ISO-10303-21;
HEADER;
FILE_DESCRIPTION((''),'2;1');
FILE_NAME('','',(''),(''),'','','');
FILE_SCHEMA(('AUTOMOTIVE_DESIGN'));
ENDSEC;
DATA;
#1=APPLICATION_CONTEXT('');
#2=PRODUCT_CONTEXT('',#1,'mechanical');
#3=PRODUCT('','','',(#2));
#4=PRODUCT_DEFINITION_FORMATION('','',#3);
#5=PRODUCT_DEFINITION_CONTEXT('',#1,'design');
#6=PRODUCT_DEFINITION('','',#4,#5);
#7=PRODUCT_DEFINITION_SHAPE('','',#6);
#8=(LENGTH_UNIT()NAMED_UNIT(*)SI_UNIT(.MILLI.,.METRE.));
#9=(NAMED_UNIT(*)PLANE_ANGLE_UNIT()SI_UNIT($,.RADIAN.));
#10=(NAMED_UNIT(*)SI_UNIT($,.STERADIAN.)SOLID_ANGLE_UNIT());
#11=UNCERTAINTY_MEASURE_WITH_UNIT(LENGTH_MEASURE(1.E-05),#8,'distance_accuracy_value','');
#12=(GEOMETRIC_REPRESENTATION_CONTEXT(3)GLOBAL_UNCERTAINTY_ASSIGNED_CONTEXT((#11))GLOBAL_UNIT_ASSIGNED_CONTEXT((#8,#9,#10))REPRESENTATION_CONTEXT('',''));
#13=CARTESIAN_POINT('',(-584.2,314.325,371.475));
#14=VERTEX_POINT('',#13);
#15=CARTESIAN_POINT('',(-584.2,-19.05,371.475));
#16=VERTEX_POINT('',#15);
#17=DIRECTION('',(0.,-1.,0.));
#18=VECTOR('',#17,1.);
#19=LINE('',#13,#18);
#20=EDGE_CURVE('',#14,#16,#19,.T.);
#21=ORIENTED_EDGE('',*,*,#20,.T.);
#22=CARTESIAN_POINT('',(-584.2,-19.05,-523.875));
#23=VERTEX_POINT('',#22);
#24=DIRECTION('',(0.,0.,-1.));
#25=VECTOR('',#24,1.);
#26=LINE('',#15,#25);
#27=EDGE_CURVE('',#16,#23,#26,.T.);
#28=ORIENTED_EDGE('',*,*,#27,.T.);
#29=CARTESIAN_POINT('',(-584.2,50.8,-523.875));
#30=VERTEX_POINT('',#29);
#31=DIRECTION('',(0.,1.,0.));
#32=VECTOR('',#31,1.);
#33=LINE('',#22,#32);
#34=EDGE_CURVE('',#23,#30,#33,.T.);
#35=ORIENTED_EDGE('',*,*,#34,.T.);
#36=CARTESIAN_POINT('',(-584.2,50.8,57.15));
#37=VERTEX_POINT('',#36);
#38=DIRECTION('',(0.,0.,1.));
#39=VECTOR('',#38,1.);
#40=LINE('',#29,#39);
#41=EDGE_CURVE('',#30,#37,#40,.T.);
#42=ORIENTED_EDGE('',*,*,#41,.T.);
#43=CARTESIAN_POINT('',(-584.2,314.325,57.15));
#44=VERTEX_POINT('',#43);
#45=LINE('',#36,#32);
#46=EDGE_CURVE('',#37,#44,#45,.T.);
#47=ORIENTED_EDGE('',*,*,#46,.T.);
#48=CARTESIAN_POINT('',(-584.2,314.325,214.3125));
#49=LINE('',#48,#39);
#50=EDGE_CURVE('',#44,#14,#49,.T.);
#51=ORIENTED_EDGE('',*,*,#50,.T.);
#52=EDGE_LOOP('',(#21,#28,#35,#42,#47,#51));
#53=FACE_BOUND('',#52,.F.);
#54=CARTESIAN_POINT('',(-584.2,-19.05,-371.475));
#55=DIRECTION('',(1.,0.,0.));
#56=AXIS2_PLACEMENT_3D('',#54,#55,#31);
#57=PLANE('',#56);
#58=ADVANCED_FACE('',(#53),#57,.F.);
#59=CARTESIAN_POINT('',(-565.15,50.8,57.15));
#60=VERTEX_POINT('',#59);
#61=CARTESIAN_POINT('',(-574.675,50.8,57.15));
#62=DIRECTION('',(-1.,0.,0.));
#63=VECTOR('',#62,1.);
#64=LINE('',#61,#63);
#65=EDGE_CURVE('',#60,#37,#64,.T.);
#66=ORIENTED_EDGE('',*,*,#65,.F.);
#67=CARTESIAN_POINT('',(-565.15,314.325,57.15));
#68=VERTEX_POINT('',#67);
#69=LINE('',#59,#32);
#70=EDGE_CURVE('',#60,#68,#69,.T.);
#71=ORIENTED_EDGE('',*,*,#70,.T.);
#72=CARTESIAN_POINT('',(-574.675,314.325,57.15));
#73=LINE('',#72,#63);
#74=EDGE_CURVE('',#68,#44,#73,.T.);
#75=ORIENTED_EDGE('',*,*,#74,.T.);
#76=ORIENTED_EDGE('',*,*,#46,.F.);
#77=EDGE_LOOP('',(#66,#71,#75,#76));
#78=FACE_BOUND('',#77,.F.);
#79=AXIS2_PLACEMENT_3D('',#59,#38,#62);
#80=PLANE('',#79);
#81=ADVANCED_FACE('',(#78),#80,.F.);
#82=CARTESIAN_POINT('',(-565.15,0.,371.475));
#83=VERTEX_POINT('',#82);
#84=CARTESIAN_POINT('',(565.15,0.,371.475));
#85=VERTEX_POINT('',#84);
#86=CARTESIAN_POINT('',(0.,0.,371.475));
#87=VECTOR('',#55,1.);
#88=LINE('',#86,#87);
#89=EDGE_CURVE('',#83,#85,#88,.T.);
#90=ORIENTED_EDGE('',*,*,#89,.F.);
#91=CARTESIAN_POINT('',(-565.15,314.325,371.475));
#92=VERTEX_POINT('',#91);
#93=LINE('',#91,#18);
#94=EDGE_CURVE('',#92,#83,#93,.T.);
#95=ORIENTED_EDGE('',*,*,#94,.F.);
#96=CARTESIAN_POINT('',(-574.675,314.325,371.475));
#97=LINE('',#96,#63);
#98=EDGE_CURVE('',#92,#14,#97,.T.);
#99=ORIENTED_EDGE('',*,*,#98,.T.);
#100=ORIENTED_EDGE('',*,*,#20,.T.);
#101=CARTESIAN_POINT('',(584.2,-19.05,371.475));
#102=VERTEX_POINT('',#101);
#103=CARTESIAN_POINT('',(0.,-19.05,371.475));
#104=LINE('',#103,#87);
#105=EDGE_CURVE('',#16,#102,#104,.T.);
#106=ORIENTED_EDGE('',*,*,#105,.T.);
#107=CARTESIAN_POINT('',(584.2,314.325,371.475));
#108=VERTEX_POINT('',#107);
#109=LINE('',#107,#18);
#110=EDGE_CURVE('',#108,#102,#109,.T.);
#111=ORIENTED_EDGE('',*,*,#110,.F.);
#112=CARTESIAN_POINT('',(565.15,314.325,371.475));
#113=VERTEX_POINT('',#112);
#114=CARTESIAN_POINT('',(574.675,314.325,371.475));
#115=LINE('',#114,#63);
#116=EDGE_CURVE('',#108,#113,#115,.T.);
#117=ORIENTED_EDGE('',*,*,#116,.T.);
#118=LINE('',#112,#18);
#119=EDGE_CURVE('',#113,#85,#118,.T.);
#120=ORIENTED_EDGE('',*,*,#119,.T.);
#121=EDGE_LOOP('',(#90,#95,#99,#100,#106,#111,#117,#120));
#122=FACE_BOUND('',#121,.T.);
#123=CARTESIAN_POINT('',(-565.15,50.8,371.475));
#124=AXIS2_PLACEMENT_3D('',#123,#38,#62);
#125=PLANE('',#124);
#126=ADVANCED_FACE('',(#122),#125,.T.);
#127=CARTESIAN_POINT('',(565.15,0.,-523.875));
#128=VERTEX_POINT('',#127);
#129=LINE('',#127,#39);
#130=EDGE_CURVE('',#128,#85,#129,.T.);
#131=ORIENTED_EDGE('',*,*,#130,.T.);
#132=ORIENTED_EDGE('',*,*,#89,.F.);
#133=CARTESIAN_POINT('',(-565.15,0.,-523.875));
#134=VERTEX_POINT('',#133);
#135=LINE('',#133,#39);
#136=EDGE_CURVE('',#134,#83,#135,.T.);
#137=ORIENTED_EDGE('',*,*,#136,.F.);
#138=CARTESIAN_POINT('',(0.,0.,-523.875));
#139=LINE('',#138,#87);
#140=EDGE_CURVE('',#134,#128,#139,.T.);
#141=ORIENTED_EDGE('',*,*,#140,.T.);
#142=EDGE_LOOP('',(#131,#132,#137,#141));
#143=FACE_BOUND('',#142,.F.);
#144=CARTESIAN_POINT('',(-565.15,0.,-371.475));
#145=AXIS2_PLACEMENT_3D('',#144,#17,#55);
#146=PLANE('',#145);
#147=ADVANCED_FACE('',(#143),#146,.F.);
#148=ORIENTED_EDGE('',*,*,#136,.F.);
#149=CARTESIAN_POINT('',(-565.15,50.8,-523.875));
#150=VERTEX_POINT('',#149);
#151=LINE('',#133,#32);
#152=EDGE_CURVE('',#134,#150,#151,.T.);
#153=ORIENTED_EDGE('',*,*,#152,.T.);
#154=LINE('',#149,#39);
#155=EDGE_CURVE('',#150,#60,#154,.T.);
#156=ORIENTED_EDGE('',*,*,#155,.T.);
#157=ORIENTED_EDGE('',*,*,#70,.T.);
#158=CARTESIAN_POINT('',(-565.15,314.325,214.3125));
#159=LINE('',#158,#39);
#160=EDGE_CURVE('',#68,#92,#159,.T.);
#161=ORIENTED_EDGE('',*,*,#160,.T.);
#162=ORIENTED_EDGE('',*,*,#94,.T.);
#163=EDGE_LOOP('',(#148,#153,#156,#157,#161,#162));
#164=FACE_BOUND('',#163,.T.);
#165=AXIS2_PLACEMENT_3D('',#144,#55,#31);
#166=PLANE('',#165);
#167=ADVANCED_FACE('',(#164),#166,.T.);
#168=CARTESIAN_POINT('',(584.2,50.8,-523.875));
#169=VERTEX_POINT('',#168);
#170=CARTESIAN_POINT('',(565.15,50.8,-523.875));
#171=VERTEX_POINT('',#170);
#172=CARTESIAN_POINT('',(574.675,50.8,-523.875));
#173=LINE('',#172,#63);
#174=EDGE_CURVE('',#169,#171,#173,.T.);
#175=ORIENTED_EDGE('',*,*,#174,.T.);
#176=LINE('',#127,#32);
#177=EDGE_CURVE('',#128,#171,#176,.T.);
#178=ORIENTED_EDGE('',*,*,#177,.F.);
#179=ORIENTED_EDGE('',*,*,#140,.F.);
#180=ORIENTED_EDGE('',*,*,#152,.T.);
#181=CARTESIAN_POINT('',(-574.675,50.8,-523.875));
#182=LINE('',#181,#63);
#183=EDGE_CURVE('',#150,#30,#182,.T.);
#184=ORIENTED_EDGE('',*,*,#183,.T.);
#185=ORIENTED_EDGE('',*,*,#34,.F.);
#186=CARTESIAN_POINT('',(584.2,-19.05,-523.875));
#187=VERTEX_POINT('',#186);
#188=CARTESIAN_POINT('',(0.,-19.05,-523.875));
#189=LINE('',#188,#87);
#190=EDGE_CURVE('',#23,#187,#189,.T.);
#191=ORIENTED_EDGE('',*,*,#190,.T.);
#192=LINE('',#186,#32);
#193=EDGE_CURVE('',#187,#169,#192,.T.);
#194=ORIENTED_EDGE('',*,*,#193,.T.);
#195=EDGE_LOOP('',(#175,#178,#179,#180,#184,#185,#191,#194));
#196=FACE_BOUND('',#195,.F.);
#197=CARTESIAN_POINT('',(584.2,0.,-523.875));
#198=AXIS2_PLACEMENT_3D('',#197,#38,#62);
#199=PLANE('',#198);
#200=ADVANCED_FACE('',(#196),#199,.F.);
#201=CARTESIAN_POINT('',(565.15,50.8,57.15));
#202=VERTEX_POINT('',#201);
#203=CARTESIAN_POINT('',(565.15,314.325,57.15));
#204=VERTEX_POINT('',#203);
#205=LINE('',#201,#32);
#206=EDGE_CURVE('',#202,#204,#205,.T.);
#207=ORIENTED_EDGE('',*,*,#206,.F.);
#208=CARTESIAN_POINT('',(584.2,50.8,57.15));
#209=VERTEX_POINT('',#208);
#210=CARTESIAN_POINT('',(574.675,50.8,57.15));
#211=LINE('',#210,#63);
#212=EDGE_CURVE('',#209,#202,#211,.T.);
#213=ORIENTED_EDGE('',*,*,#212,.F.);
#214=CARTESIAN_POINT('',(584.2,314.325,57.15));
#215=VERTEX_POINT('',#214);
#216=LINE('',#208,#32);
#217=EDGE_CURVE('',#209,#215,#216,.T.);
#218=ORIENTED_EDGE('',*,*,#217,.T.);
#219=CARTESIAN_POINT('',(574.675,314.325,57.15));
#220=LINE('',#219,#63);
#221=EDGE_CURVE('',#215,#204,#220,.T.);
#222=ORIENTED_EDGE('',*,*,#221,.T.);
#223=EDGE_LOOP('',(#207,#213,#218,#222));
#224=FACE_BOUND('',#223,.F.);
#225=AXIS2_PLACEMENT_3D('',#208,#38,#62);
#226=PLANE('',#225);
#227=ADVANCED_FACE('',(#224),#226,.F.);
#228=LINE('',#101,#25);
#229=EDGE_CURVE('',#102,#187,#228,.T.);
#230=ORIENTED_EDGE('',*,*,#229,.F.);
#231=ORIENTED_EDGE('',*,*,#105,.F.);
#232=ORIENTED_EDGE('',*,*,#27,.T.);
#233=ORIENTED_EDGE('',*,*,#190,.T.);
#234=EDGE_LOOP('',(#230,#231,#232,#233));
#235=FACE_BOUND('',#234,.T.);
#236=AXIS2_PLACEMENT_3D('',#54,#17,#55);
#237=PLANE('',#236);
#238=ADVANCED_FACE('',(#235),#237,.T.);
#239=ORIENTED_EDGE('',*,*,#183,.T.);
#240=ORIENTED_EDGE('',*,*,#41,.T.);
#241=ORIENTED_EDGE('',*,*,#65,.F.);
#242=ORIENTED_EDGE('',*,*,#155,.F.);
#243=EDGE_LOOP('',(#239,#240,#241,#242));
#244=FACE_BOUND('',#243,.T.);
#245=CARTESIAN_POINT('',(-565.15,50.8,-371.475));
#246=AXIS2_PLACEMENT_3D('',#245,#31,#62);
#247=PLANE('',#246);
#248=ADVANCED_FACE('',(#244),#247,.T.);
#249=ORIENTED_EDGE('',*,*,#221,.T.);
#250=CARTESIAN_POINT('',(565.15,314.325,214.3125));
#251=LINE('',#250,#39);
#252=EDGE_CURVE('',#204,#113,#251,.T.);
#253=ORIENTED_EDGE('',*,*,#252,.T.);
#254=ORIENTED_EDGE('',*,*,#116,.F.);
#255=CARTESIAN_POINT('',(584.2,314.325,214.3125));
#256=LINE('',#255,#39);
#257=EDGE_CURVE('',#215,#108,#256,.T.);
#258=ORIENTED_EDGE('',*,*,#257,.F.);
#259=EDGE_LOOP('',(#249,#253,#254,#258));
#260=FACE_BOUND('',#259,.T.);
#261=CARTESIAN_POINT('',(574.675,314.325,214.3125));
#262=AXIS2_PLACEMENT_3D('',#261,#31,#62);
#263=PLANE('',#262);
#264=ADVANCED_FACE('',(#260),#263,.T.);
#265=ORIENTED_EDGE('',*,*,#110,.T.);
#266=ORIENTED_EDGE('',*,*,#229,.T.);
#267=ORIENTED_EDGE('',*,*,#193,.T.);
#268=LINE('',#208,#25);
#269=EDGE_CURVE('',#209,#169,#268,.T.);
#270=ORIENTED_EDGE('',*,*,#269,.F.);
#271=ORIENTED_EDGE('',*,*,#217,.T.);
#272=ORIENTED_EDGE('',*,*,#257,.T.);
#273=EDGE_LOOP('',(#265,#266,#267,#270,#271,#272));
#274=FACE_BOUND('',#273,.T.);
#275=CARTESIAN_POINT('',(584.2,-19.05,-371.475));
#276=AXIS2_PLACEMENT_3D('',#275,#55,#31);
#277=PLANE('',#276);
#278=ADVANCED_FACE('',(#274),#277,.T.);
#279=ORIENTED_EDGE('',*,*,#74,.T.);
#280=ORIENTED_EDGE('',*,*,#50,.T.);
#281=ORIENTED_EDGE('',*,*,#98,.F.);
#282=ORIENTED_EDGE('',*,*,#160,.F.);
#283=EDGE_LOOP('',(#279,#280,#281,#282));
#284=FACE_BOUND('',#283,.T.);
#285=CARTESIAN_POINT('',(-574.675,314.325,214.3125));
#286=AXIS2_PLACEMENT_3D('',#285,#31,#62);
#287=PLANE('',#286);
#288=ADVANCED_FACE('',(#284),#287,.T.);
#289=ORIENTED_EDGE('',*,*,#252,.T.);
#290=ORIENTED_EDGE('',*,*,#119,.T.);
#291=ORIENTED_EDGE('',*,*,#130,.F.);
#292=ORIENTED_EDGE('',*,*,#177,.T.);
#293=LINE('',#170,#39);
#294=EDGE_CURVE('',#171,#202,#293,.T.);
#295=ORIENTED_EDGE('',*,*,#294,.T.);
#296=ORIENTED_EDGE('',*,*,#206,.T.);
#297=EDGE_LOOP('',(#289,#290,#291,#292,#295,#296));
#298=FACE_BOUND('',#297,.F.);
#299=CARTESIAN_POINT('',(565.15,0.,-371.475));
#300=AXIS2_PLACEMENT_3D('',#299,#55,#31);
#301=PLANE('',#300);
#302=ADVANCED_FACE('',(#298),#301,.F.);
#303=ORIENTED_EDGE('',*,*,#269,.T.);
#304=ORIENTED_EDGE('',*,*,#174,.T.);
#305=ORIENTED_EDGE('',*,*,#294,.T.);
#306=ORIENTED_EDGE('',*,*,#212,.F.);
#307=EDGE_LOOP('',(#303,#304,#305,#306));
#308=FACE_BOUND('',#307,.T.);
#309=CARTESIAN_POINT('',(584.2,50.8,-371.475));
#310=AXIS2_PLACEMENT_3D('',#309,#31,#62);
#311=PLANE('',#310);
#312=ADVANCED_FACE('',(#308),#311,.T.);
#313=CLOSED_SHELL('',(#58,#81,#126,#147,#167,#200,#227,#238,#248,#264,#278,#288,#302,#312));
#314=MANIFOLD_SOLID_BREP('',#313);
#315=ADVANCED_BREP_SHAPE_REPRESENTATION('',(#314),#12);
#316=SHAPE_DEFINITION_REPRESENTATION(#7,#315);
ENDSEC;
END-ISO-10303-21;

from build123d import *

# Parameters (mm, degrees)
F0_W     = 1168.4
F0_H     = 742.95
F1_DEPTH = 19.05
F2_W     = 19.05
F2_H     = 742.95
F3_DEPTH = 50.8
F4_W     = 19.05
F4_H     = 314.325
F5_DEPTH = 263.525
F6_W     = 19.05
F6_H     = 314.325
F7_DEPTH = 263.525
F8_DEPTH = 152.4


with BuildPart() as f1:
    # F0 (on Front) → F1 (new body)
    with BuildSketch(Plane.XZ):
        Rectangle(F0_W, F0_H)
    extrude(amount=F1_DEPTH)

    # F2 (on face) → F3 (join)
    with BuildSketch(Plane(origin=(0, 0, 0), x_dir=(-1, 0, 0), z_dir=(0, 1, 0))):
        with Locations((-574.675, 0)):
            Rectangle(F2_W, F2_H)
        with Locations((574.675, 0)):
            Rectangle(F2_W, F2_H)
    extrude(amount=F3_DEPTH)

    # F4 (on face) → F5 (join)
    with BuildSketch(Plane(origin=(0, 50.8, 0), x_dir=(-1, 0, 0), z_dir=(0, 1, 0))):
        with Locations((-574.675, 214.3125)):
            Rectangle(F4_W, F4_H)
    extrude(amount=F5_DEPTH)

    # F6 (on face) → F7 (join)
    with BuildSketch(Plane(origin=(0, 50.8, 0), x_dir=(-1, 0, 0), z_dir=(0, 1, 0))):
        with Locations((574.675, 214.3125)):
            Rectangle(F6_W, F6_H)
    extrude(amount=F7_DEPTH)

    # F8 (add): a face of the model
    f8_faces = [f1.faces().sort_by_distance(p)[0] for p in [
        (0, -6.731, -371.475),
    ]]
    extrude(f8_faces, amount=F8_DEPTH)


solid = f1.part
